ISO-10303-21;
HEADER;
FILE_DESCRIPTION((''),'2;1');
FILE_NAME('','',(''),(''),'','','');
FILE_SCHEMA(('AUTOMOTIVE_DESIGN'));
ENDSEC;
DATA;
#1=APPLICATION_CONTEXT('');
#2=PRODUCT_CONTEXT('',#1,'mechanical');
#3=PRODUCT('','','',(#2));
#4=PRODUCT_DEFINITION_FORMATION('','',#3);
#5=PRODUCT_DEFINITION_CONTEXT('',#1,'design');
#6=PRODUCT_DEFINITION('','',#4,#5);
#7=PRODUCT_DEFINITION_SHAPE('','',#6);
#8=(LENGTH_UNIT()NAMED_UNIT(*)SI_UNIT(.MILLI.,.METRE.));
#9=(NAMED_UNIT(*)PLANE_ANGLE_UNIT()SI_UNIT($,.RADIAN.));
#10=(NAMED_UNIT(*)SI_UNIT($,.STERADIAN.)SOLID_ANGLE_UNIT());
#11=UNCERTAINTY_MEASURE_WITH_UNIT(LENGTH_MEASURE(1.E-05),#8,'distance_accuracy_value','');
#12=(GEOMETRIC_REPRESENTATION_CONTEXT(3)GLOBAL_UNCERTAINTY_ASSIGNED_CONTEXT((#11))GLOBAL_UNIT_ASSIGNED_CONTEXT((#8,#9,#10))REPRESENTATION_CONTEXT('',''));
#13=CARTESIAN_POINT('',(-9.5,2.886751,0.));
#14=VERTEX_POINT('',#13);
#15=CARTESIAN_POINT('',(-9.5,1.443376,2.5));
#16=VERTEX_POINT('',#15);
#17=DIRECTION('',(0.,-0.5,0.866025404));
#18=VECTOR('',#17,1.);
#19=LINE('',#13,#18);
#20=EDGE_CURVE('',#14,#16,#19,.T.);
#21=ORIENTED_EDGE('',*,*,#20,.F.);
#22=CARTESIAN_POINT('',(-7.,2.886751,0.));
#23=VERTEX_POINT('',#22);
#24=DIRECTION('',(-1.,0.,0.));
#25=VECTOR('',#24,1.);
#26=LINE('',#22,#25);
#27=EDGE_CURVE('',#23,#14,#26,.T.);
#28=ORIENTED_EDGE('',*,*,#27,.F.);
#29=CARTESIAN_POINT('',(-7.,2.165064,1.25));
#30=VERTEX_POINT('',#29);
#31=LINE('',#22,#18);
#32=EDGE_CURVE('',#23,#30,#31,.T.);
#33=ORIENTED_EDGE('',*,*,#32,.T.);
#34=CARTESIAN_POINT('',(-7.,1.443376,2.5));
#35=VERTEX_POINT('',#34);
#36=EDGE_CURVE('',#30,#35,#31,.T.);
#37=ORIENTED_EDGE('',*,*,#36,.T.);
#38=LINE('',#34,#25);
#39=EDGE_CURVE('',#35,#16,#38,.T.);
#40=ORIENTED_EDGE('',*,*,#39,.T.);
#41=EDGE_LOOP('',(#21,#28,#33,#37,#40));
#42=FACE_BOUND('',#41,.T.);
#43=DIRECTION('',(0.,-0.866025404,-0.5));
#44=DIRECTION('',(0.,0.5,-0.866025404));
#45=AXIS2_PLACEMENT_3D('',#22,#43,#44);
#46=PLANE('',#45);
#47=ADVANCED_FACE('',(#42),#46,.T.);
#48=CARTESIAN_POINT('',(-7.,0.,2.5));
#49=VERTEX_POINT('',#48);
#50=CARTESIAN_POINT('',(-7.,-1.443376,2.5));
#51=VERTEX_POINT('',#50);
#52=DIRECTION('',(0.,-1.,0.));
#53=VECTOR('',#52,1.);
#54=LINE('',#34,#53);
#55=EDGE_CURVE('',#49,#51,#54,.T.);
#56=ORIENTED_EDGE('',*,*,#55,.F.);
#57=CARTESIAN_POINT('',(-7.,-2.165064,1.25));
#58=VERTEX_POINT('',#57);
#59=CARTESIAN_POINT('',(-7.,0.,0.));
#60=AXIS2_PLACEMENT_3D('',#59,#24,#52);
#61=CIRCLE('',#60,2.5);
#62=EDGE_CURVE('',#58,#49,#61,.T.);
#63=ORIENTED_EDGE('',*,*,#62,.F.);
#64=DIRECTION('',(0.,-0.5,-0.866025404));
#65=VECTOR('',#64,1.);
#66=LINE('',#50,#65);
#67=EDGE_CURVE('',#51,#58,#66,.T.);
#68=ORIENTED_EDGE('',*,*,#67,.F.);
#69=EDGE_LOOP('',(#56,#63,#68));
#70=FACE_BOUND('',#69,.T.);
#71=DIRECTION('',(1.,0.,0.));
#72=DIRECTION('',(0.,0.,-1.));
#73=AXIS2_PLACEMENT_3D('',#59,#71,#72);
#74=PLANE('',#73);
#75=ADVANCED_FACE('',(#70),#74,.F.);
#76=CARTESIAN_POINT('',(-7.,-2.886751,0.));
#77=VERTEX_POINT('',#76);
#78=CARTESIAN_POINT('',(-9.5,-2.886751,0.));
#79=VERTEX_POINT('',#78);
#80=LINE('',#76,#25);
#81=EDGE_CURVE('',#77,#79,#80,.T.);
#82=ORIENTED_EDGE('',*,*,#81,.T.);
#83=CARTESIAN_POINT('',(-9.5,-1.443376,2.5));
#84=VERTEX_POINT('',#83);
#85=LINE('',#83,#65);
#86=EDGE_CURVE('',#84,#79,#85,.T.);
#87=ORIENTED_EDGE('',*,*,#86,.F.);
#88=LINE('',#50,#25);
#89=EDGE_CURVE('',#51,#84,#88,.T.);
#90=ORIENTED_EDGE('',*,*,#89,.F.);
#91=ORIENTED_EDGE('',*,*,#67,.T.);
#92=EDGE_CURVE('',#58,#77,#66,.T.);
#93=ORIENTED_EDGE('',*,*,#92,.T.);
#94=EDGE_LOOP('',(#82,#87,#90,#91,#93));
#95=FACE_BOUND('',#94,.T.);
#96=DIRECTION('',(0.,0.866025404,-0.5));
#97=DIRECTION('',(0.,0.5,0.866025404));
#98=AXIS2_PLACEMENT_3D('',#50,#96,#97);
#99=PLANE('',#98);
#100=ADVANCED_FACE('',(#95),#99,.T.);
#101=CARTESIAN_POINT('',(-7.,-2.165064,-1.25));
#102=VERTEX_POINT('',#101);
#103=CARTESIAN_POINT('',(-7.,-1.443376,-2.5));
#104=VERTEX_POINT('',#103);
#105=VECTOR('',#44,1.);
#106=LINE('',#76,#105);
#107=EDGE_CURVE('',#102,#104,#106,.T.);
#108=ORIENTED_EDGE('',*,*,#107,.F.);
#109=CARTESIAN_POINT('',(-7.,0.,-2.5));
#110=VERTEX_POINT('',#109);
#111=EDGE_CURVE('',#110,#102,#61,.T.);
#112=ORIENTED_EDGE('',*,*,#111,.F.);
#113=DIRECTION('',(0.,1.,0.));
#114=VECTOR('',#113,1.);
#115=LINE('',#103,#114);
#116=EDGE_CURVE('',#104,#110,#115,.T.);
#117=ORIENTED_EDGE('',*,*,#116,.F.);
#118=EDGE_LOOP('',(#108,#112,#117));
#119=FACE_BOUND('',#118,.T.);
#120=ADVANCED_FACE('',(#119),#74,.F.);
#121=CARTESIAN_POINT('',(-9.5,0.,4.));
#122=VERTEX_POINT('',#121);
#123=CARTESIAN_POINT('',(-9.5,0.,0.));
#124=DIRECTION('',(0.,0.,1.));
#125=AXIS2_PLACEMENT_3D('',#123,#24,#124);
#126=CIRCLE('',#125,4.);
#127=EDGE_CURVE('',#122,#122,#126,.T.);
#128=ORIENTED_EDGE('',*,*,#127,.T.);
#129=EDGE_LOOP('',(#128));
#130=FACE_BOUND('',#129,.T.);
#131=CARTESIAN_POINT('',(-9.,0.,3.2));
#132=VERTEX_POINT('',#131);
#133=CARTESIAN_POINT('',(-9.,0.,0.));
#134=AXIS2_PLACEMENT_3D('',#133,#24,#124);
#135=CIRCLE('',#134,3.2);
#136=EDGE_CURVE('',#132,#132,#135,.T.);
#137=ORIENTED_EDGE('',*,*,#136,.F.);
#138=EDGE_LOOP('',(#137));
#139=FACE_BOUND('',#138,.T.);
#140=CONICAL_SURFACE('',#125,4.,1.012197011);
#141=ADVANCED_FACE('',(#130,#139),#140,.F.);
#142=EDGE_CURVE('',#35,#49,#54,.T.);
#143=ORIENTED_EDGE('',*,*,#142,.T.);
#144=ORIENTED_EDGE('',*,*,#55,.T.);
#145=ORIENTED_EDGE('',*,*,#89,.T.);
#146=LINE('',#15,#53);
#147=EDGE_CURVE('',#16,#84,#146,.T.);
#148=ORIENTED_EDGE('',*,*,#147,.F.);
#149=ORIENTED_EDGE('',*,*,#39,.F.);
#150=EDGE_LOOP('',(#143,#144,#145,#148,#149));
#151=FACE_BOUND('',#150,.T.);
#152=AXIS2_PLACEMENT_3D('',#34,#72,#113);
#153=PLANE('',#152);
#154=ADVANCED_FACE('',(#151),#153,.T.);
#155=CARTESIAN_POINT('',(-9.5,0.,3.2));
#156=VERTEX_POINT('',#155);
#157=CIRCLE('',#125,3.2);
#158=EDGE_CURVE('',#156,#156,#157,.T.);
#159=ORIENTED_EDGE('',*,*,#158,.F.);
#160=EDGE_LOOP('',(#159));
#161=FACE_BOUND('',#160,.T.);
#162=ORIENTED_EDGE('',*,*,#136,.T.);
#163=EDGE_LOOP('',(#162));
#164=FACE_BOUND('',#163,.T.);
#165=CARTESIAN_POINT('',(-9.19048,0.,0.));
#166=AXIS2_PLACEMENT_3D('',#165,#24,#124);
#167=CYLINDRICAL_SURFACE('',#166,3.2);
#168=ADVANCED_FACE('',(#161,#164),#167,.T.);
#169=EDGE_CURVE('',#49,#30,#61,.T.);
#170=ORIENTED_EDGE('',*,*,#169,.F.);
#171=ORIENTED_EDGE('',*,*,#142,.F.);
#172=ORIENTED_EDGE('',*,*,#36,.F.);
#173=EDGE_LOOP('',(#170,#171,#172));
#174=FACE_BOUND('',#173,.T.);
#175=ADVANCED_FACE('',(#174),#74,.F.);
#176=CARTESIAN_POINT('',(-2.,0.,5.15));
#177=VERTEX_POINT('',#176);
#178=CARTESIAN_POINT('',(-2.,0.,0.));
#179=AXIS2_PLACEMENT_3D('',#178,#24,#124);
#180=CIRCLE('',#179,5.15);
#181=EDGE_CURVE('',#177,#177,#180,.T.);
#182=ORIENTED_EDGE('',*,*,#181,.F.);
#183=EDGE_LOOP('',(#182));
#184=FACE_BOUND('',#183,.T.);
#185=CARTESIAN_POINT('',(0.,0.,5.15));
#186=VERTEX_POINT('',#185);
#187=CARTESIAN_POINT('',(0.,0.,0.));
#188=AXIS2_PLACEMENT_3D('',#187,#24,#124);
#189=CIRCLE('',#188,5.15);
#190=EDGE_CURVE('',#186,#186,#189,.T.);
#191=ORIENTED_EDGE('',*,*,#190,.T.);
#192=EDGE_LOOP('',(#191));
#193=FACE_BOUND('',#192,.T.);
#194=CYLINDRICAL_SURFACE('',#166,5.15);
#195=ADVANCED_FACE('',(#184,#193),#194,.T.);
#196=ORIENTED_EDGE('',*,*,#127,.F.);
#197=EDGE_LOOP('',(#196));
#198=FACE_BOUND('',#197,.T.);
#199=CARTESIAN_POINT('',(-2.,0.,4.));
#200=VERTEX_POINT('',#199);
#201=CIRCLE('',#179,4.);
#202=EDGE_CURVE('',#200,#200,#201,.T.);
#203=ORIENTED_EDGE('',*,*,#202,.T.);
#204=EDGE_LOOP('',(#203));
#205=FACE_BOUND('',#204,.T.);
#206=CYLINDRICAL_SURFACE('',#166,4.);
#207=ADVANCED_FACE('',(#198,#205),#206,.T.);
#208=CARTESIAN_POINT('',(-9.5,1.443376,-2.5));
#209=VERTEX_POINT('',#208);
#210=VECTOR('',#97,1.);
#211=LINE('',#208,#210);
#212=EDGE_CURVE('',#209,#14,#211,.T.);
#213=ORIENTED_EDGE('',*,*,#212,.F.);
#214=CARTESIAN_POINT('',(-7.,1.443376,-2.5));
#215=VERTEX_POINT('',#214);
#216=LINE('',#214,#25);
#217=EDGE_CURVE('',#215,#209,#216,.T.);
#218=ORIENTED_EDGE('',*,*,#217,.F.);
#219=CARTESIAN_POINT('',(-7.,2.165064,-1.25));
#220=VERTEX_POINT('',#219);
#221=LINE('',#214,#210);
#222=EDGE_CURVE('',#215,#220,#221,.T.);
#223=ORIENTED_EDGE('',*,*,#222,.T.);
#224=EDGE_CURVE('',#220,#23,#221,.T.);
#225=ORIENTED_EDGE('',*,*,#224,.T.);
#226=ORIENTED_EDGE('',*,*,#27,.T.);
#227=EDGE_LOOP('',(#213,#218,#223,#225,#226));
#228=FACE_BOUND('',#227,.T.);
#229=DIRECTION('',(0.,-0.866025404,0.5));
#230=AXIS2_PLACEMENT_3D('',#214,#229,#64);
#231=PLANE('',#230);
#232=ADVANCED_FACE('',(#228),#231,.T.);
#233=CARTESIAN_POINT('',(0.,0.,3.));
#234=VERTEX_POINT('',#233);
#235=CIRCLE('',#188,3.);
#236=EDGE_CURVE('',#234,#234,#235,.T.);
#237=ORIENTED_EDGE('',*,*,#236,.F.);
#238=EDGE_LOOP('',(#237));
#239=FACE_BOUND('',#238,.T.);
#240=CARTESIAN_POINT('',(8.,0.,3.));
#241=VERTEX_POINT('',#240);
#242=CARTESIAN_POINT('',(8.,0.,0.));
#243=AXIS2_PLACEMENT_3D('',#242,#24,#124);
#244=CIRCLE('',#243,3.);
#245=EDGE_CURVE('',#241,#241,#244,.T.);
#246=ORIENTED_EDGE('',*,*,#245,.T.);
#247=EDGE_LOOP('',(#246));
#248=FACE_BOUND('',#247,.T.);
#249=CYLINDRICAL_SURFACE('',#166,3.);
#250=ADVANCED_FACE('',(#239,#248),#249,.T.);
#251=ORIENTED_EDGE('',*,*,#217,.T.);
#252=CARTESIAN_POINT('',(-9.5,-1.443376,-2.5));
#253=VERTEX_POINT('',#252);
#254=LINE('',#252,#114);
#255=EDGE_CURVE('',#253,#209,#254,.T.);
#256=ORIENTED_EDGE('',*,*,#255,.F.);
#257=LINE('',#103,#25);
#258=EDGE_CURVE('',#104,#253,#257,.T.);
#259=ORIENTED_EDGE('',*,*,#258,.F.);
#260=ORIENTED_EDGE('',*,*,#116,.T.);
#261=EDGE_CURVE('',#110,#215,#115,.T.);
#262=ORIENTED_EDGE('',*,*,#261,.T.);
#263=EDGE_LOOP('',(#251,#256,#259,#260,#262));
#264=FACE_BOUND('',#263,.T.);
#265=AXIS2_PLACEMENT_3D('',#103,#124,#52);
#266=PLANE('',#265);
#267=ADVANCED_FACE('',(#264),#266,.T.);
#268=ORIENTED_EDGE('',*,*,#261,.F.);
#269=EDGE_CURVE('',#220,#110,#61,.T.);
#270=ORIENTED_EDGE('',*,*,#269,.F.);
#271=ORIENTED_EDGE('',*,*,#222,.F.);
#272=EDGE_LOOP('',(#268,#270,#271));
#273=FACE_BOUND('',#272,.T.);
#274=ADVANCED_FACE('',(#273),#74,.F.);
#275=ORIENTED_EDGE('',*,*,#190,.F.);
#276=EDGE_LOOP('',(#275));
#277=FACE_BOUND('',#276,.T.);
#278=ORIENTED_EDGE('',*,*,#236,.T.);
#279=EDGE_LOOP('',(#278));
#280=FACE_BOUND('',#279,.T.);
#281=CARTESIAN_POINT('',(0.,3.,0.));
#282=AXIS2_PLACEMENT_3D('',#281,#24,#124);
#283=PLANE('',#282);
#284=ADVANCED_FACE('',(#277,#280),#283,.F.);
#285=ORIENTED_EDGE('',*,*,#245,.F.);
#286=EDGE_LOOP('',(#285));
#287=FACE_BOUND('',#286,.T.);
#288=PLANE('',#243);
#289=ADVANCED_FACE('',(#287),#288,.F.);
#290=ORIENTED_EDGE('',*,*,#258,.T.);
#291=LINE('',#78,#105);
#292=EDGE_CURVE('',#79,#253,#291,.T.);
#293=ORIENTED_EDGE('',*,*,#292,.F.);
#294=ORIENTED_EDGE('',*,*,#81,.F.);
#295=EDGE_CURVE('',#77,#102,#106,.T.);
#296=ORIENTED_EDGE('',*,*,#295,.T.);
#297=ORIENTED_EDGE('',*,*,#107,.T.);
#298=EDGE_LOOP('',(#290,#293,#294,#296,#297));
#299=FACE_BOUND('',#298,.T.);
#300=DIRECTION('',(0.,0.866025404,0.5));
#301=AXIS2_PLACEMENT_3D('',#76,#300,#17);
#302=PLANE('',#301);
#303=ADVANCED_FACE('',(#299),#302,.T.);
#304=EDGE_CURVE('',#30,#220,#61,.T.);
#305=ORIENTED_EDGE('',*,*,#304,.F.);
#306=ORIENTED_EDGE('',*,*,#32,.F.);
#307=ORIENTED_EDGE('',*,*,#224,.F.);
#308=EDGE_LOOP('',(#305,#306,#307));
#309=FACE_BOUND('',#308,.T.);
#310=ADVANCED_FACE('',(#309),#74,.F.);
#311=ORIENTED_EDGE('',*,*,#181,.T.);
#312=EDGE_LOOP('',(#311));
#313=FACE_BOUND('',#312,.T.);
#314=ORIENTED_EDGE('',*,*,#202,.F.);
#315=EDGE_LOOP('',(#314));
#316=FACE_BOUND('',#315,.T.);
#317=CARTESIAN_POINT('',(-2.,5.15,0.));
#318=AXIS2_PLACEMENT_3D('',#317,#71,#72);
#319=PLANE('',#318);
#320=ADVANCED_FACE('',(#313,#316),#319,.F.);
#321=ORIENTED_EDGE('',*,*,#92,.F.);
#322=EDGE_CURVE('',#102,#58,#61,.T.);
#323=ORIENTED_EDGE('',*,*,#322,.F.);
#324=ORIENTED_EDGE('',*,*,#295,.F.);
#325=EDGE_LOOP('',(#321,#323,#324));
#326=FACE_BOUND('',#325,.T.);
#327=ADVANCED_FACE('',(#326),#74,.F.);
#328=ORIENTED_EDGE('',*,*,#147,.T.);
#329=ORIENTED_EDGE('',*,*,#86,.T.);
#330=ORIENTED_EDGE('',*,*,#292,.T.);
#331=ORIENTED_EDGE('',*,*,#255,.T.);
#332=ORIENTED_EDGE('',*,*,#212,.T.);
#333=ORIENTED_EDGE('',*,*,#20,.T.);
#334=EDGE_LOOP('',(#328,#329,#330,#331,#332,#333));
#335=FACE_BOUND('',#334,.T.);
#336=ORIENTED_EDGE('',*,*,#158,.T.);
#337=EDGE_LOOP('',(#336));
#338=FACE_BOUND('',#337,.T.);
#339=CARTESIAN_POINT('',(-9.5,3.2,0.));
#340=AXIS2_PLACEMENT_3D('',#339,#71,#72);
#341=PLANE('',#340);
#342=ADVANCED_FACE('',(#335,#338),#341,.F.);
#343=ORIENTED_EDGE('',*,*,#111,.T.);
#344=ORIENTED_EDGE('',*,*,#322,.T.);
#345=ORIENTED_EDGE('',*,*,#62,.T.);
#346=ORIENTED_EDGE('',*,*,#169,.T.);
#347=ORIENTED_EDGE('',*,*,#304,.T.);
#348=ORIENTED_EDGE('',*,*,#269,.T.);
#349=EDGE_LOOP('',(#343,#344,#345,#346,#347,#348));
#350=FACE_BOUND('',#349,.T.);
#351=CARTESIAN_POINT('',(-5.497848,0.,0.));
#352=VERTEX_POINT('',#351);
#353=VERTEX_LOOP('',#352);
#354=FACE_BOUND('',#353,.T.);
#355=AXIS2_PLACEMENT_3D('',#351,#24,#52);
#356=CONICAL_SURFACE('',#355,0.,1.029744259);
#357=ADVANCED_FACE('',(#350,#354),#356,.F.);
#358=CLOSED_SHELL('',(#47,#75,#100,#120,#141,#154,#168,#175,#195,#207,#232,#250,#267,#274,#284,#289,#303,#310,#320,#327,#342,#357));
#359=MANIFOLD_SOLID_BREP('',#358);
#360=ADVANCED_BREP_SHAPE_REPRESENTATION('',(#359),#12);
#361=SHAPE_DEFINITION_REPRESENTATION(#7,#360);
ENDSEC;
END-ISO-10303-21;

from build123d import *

# Parameters (mm, degrees)
CUT_EXTRUDE3_DEPTH = 2.5


with BuildPart() as part:
    # Sketch1 → Revolve1 (revolve)
    with BuildSketch(Plane.XY):
        Polygon((-9.5, 0), (8, 0), (8, 3), (0, 3), (0, 5.15), (-2, 5.15), (-2, 4), (-9.5, 4), (-9, 3.2), (-9.5, 3.2), align=None)
    revolve(axis=Axis((-9.190479794, 0, 0), (1, 0, 0)))

    # Sketch5 → Cut-Revolve1 (revolve, cut)
    with BuildSketch(Plane.XY):
        Polygon((-9.5, 2.5), (-7, 2.5), (-5.497848452, 0), (-9.5, 0), align=None)
    revolve(axis=Axis((-9.5, 0, 0), (1, 0, 0)), mode=Mode.SUBTRACT)

    # Sketch4 → Cut-Extrude3 (cut)
    with BuildSketch(Plane(origin=(-9.5, 0, 0), x_dir=(0, 0, -1), z_dir=(1, 0, 0))):
        Polygon((0, 2.886751346), (-2.5, 1.443375673), (-2.5, -1.443375673), (0, -2.886751346), (2.5, -1.443375673), (2.5, 1.443375673), align=None)
    extrude(amount=CUT_EXTRUDE3_DEPTH, mode=Mode.SUBTRACT)


solid = part.part
